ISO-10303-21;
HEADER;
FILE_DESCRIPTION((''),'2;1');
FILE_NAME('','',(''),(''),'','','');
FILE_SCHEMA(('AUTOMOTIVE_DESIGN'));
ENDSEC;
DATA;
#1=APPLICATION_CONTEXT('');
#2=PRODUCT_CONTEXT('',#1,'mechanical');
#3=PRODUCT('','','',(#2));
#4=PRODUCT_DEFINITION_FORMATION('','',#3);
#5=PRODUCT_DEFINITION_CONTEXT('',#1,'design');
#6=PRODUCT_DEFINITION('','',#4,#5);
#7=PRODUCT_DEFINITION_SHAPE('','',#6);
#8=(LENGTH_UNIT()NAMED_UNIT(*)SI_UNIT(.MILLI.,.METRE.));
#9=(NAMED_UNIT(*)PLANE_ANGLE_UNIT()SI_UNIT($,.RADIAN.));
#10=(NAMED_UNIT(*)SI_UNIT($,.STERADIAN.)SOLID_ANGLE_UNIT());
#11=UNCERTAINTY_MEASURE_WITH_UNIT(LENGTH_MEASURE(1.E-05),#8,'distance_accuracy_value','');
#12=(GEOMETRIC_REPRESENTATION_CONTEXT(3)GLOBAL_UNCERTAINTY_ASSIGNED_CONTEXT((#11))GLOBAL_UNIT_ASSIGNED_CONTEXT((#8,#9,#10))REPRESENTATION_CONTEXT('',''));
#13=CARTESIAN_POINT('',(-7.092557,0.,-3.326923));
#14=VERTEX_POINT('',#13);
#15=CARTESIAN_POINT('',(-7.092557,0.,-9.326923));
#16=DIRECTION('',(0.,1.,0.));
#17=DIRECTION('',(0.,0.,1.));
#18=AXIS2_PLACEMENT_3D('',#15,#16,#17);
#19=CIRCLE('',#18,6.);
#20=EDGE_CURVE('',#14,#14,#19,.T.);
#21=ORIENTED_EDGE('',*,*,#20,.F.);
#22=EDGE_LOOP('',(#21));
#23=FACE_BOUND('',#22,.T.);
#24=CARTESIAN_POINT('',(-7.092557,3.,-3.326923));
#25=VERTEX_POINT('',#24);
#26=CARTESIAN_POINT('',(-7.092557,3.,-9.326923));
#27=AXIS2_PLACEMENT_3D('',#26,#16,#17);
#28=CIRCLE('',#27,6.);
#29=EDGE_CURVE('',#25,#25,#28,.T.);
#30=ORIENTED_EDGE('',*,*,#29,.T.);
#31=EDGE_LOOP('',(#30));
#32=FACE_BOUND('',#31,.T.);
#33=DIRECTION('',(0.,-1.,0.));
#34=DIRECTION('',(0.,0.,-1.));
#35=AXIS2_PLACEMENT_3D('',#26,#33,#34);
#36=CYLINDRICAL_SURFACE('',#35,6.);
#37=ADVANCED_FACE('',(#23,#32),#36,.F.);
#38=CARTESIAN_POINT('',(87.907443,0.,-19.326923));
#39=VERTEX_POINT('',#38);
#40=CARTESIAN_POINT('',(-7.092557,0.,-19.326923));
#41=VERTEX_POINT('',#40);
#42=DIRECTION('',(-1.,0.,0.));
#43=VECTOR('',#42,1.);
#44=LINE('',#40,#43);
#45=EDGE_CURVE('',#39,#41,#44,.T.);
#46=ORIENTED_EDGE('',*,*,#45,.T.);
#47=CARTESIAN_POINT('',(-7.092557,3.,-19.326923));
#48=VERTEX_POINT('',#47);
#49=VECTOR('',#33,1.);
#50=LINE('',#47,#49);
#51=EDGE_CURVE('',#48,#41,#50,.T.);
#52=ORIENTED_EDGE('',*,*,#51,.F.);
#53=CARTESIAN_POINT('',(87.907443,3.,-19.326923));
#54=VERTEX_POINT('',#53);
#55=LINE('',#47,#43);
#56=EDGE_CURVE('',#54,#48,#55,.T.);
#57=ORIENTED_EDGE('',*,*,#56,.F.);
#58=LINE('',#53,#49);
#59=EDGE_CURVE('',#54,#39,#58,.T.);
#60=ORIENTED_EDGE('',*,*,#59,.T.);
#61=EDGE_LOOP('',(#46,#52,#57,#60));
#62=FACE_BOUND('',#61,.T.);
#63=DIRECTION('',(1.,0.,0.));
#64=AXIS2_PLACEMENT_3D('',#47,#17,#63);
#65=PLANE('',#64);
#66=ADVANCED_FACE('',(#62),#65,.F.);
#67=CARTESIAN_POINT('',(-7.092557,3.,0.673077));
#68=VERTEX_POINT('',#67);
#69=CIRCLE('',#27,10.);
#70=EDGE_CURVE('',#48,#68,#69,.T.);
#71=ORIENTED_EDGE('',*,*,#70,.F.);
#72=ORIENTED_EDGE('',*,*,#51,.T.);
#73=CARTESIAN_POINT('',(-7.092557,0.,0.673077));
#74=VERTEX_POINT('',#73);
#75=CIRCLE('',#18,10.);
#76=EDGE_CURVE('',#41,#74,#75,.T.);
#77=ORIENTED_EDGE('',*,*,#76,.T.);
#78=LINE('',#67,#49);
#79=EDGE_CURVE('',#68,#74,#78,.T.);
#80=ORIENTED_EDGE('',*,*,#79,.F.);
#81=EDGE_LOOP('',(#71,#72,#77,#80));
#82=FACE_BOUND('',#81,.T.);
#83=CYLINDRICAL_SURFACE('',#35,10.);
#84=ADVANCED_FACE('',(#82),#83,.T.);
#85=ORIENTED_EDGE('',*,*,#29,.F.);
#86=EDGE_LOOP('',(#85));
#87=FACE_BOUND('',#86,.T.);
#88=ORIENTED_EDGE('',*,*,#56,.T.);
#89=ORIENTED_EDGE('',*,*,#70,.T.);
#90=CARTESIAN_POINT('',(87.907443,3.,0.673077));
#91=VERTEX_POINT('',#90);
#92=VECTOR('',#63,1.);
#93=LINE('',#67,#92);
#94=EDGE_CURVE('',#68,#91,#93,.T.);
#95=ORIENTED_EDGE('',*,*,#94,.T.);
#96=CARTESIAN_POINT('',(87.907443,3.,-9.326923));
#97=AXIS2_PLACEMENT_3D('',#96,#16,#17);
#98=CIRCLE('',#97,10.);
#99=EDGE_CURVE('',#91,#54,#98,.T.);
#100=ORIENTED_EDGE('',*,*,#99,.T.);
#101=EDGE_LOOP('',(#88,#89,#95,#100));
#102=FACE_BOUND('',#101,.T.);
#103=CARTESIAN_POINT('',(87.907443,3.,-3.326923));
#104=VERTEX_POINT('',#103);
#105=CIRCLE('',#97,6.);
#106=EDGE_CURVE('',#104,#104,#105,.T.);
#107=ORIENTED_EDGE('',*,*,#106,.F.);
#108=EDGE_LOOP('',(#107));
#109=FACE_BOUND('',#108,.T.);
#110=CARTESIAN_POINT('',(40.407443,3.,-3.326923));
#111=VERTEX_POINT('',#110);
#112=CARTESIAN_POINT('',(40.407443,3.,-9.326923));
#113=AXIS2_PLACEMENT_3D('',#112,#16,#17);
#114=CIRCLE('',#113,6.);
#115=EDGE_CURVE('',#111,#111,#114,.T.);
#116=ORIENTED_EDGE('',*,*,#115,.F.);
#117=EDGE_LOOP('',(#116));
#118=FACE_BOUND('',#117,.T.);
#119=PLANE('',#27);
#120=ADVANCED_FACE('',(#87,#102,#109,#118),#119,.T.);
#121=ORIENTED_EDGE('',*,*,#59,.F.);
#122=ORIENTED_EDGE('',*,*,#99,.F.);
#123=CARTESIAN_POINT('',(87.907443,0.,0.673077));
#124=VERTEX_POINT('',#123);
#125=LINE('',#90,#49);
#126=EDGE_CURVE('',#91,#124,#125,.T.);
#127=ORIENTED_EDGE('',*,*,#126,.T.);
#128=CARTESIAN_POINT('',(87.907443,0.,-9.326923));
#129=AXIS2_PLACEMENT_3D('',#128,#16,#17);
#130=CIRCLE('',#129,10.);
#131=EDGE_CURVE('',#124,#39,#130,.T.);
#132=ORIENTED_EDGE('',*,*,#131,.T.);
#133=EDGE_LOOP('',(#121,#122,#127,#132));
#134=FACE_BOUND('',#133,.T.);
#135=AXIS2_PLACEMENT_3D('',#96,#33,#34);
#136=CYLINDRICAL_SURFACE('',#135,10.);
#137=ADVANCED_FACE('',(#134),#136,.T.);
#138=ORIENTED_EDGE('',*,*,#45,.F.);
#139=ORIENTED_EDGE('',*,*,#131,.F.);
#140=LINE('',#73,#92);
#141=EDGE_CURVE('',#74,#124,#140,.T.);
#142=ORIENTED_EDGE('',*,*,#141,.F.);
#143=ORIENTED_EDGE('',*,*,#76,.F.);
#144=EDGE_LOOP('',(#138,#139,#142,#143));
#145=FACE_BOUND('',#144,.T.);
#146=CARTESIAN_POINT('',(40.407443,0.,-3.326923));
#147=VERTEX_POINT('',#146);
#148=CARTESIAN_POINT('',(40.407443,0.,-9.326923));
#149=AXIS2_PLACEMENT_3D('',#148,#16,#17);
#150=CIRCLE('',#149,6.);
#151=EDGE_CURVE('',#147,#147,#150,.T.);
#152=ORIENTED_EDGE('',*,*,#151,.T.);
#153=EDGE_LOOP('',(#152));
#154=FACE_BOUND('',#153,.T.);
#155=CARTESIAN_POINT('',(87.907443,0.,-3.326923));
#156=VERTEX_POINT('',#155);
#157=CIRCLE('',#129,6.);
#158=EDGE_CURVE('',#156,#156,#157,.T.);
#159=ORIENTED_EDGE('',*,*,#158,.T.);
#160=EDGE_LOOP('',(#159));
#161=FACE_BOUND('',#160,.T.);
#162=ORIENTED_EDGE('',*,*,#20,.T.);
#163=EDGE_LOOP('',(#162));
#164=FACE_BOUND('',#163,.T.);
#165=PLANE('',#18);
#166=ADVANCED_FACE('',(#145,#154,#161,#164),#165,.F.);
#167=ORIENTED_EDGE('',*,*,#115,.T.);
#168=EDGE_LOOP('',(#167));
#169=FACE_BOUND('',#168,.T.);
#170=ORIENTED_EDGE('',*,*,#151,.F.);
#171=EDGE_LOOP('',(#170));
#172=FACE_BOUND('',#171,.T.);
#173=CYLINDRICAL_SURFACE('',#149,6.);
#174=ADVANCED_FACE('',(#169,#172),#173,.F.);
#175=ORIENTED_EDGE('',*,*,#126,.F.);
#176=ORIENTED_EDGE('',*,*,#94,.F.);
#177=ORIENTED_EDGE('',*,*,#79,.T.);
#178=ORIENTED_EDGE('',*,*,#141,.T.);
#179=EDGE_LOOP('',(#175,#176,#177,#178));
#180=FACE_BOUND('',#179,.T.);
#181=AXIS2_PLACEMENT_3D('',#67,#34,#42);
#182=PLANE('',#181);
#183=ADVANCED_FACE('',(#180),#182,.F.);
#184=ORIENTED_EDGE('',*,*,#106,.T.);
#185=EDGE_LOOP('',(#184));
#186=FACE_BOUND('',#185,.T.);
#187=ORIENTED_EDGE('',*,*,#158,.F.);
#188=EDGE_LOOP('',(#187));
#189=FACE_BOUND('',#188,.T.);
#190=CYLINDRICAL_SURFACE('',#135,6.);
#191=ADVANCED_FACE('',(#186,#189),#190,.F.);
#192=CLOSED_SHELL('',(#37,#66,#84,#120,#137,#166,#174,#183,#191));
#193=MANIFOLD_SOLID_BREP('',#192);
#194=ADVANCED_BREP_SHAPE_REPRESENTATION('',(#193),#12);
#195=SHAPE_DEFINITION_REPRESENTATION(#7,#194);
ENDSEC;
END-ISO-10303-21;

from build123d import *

# Parameters (mm, degrees)
SKETCH1_R           = 6
BOSS_EXTRUDE1_DEPTH = 3
SKETCH2_R           = 6
CUT_EXTRUDE1_DEPTH  = 4


with BuildPart() as part:
    # Sketch1 → Boss-Extrude1 (new body)
    with BuildSketch(Plane(origin=(0, 0, 0), x_dir=(1, 0, 0), z_dir=(0, 1, 0))):
        with BuildLine():
            Line((-7.092556659, 19.326923077), (87.907443341, 19.326923077))
            ThreePointArc((87.907443341, 19.326923077), (97.907443341, 9.326923077), (87.907443341, -0.673076923))
            Line((87.907443341, -0.673076923), (-7.092556659, -0.673076923))
            ThreePointArc((-7.092556659, -0.673076923), (-17.092556659, 9.326923077), (-7.092556659, 19.326923077))
        make_face()
        with Locations((-7.092556659, 9.326923077)):
            Circle(SKETCH1_R, mode=Mode.SUBTRACT)
        with Locations((87.907443341, 9.326923077)):
            Circle(SKETCH1_R, mode=Mode.SUBTRACT)
    extrude(amount=BOSS_EXTRUDE1_DEPTH)

    # Sketch2 → Cut-Extrude1 (cut, through all)
    with BuildSketch(Plane(origin=(0, 3, 0), x_dir=(1, 0, 0), z_dir=(0, 1, 0))):
        with Locations((40.407443341, 9.326923077)):
            Circle(SKETCH2_R)
    extrude(amount=-CUT_EXTRUDE1_DEPTH, mode=Mode.SUBTRACT)


solid = part.part
